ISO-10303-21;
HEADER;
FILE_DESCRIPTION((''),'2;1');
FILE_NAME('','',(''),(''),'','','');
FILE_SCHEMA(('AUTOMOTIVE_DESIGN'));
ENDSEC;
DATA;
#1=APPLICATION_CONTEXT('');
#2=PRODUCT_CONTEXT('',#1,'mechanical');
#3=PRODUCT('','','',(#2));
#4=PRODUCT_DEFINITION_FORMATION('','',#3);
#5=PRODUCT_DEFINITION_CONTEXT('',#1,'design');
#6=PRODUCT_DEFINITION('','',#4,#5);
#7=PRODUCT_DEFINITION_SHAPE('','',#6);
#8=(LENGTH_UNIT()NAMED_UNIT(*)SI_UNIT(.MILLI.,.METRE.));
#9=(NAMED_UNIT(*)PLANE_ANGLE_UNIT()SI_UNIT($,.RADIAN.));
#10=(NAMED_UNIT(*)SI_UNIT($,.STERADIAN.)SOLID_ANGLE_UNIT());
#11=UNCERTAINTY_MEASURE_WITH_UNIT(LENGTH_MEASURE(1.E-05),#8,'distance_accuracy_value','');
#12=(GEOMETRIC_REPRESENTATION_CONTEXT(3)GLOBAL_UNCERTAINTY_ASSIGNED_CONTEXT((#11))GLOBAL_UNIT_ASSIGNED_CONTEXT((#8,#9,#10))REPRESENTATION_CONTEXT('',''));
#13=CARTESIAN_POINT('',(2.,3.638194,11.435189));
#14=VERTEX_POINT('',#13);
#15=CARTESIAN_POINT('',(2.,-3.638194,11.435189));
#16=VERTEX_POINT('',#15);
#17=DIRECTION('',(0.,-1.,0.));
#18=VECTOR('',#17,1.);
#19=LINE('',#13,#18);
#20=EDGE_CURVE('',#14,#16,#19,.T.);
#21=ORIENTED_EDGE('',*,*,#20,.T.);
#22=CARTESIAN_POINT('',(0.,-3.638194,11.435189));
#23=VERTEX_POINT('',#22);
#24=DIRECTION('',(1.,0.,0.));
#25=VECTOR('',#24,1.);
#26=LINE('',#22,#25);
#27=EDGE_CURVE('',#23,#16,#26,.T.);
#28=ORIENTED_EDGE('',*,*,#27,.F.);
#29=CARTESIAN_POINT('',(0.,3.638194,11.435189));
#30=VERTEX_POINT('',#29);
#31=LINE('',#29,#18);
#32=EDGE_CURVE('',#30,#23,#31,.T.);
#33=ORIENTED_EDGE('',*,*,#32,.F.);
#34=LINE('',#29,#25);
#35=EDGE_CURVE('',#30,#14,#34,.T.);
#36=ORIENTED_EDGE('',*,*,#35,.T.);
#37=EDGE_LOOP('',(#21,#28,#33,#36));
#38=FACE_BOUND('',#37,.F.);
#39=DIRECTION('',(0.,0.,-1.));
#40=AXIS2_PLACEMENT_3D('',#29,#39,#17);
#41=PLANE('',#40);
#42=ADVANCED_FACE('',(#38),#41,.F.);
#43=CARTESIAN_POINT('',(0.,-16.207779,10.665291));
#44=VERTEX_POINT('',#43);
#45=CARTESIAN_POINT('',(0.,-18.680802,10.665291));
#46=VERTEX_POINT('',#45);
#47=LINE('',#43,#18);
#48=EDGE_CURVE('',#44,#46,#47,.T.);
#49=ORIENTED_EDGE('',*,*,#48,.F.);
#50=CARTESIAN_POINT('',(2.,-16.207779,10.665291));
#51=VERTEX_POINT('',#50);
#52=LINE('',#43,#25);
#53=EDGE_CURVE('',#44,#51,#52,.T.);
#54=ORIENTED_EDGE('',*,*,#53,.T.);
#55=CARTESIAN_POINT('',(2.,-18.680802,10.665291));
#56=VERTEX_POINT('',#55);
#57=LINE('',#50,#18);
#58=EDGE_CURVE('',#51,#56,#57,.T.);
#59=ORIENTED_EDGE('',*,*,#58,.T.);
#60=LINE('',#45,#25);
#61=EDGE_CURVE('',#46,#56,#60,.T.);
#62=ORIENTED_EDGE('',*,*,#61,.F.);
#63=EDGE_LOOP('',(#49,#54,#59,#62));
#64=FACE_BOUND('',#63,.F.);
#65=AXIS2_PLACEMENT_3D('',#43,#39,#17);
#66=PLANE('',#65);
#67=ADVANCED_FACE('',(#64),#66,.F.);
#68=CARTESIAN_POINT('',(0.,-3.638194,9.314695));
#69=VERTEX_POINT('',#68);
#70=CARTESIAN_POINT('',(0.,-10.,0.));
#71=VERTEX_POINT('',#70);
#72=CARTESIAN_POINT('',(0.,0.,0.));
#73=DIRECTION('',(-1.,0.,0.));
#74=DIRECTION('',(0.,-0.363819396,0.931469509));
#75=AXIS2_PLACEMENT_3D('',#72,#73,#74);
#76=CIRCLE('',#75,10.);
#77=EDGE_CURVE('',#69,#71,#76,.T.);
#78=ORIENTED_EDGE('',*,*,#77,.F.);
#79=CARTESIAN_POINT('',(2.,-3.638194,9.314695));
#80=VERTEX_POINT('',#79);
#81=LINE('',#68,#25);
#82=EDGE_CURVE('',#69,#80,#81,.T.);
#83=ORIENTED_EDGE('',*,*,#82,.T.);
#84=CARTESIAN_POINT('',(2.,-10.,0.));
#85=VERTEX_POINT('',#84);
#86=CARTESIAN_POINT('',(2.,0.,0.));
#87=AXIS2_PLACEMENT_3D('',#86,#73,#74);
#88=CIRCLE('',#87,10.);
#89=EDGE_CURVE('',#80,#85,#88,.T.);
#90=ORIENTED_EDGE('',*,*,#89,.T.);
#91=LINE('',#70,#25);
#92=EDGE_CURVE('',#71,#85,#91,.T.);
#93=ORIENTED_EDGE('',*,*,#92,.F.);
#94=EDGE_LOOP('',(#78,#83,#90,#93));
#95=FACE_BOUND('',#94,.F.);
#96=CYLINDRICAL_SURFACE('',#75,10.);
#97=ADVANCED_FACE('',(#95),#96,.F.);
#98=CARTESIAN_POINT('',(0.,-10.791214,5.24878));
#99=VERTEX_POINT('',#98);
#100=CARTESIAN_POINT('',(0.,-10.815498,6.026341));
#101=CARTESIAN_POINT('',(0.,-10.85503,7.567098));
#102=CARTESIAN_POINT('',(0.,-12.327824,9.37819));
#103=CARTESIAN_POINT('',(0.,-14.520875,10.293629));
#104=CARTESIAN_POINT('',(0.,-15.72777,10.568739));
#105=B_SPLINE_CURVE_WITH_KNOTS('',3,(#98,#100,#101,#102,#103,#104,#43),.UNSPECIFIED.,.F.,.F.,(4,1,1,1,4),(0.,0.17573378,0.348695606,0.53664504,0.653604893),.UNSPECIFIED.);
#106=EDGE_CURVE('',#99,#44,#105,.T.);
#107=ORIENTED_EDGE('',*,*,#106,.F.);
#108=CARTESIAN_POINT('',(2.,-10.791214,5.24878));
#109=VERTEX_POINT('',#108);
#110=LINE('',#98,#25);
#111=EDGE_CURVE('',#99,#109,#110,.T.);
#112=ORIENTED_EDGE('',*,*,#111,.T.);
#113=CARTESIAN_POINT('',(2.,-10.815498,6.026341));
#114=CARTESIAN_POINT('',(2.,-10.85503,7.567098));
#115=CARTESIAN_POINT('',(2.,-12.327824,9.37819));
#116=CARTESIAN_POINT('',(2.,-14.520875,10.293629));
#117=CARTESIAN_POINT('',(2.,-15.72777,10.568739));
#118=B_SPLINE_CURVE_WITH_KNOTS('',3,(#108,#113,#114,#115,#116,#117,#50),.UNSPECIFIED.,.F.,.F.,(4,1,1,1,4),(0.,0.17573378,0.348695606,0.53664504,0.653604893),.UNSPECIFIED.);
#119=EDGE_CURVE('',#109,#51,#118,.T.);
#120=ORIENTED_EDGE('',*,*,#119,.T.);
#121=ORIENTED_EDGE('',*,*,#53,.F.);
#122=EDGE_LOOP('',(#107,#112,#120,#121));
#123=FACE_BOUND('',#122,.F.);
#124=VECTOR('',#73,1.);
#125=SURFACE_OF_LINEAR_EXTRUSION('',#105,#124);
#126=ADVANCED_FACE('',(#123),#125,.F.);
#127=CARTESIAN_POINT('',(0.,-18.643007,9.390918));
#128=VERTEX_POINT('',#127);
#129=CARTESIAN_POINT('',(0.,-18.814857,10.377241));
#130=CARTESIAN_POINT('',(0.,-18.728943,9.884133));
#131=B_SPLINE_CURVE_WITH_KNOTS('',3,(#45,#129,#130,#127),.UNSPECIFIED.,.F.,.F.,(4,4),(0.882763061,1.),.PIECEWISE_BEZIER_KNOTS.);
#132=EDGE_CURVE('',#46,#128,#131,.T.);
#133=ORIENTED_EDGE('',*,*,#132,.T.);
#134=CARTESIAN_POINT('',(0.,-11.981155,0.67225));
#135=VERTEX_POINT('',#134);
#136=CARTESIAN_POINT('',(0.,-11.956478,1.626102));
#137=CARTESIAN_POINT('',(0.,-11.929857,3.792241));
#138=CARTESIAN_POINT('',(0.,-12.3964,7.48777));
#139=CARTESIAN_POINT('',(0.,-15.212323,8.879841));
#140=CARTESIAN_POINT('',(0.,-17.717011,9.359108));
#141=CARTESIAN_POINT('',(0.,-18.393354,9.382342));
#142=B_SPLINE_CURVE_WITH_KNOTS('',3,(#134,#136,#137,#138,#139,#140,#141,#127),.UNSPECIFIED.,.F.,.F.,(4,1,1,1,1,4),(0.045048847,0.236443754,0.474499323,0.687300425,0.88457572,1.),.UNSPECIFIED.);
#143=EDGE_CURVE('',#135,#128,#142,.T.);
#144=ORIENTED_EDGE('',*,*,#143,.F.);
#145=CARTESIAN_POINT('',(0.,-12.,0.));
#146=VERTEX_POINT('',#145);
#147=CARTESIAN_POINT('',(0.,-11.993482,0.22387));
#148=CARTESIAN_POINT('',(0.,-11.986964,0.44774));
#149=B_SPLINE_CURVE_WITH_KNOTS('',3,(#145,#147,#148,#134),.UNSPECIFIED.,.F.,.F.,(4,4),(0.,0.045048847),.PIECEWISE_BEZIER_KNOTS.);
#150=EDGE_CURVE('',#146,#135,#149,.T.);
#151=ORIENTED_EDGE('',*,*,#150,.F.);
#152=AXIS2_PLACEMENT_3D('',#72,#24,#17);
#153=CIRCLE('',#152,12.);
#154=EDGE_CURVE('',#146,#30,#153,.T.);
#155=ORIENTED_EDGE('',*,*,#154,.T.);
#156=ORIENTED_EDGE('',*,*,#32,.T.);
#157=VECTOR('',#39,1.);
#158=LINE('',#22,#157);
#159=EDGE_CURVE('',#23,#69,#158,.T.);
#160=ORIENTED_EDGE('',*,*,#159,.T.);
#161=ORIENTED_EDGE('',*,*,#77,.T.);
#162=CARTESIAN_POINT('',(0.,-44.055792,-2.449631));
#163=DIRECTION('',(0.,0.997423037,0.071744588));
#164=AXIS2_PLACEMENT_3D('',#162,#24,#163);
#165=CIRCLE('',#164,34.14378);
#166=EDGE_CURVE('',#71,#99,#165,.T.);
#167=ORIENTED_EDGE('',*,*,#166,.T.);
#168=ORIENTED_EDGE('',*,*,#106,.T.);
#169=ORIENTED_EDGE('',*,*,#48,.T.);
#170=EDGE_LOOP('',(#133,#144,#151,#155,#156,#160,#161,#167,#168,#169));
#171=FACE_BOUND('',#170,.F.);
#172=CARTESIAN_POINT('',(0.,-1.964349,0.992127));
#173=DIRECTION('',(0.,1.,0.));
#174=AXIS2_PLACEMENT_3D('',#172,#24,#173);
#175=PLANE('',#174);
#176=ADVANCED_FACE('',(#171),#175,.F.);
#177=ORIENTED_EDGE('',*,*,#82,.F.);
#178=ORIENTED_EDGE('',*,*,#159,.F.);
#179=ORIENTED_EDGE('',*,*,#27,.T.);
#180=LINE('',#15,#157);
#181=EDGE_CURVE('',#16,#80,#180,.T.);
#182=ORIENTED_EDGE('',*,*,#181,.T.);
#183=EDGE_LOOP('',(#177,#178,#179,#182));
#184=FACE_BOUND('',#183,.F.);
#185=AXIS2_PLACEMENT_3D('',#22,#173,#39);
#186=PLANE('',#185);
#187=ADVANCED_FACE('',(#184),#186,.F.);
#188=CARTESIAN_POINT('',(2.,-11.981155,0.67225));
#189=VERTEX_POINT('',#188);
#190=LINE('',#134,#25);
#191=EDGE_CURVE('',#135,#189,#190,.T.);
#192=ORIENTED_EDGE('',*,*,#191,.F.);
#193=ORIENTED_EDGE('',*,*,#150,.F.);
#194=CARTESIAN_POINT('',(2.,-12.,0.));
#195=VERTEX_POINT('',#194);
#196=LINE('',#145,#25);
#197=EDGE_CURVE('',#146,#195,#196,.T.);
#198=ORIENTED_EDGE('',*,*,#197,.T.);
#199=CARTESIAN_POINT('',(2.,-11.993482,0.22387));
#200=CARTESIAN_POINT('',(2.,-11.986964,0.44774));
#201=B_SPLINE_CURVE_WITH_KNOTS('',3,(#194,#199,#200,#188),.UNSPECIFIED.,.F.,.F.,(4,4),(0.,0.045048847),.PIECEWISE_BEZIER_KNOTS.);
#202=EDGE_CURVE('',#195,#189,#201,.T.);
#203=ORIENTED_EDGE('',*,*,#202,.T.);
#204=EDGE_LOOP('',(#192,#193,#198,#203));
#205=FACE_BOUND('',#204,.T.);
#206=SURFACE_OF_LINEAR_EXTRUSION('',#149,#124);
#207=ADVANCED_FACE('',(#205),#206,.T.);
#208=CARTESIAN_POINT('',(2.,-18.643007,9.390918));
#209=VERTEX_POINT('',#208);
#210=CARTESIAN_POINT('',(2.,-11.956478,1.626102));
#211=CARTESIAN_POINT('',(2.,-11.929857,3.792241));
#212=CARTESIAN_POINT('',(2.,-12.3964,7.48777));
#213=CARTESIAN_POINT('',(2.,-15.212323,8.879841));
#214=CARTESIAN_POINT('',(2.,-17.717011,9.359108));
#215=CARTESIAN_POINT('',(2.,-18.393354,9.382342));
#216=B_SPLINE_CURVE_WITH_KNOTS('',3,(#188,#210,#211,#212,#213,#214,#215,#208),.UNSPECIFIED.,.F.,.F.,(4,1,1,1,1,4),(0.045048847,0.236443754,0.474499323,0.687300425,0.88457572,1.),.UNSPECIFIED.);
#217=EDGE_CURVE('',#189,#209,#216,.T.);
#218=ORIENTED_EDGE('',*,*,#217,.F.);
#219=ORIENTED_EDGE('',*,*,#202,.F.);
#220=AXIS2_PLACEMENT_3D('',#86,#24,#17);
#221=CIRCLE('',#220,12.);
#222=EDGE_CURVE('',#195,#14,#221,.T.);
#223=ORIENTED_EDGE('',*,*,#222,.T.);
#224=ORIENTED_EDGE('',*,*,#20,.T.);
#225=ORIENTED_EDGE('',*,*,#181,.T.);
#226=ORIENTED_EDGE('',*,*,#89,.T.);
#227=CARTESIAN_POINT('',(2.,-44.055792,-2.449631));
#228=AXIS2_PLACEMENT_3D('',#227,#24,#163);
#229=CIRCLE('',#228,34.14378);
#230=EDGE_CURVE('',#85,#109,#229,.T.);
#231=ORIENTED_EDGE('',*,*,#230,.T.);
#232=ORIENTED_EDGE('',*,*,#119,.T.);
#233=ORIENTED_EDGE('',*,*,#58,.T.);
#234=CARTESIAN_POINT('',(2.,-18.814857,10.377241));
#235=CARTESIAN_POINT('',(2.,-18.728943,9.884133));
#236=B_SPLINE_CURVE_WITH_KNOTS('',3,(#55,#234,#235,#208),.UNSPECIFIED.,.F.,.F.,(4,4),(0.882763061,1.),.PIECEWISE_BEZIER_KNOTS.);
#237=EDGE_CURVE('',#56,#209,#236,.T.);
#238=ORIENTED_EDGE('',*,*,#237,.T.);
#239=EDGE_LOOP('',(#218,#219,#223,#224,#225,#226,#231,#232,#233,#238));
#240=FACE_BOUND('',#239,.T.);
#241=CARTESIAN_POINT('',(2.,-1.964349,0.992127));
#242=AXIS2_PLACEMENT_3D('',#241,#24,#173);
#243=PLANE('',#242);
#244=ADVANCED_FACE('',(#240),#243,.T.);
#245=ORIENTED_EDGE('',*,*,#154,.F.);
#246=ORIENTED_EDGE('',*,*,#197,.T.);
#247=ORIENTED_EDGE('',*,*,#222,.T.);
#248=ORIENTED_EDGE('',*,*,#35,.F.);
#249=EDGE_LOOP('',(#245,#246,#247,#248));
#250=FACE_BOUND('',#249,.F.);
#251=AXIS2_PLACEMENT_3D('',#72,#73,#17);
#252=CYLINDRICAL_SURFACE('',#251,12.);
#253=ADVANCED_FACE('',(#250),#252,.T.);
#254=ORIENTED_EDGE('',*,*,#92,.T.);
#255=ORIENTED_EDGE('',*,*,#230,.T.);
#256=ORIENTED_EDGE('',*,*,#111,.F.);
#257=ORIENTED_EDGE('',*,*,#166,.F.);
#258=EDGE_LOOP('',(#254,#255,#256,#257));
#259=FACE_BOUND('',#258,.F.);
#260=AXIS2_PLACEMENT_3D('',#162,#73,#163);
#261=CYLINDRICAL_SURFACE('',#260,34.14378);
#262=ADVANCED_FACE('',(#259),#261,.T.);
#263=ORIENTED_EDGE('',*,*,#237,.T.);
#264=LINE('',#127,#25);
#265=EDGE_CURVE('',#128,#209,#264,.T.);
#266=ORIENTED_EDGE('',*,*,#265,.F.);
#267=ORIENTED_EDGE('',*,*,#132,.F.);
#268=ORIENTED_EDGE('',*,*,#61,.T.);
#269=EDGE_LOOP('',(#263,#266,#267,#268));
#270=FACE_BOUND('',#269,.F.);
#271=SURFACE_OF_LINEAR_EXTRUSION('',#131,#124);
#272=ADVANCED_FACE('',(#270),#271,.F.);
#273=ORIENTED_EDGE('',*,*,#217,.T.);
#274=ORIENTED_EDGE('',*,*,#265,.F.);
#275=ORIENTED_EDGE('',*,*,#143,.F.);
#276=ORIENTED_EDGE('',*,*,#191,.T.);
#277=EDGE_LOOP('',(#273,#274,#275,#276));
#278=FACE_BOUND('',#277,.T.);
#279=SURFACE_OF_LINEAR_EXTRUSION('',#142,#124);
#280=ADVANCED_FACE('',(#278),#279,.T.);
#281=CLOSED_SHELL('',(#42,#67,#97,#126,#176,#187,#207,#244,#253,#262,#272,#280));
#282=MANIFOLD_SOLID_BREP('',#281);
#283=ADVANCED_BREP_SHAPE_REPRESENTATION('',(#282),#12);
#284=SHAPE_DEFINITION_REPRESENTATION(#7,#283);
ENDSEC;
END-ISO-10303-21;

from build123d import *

# Parameters (mm, degrees)
F1_DEPTH = 2


with BuildPart() as f1:
    # F0 (on Right) → F1 (new body)
    with BuildSketch(Plane.YZ):
        with BuildLine():
            ThreePointArc((-3.6381939636, 9.3146950934), (8.257782379, -5.639949484), (-10, 0))
            ThreePointArc((-10, 0), (-10.2934540428, 2.639788856), (-10.791214382, 5.2487800641))
            add(Edge.make_bspline(
                [(-10.791214382, 5.2487800641), (-10.8154983711, 6.0263408015), (-10.8550299677, 7.5670980598), (-12.3278240582, 9.3781898524), (-14.520874836, 10.293629199), (-15.7277697161, 10.5687391244), (-16.2077791764, 10.6652913886)],
                knots=[0, 0, 0, 0, 0.1757337799, 0.3486956058, 0.5366450397, 0.6536048932, 0.6536048932, 0.6536048932, 0.6536048932], degree=3))
            Line((-16.2077791764, 10.6652913886), (-18.6808016236, 10.6652913886))
            add(Edge.make_bspline(
                [(-18.6808016236, 10.6652913886), (-18.8148572024, 10.3772405868), (-18.7289432635, 9.8841331089), (-18.6430066824, 9.3909176067)],
                knots=[0.8827630608, 0.8827630608, 0.8827630608, 0.8827630608, 1, 1, 1, 1], degree=3))
            add(Edge.make_bspline(
                [(-11.9811552234, 0.6722495916), (-11.9564777557, 1.6261020361), (-11.9298565867, 3.7922413277), (-12.3964002274, 7.4877698942), (-15.2123230374, 8.8798414319), (-17.7170112276, 9.3591077307), (-18.3933537904, 9.3823415089), (-18.6430066824, 9.3909176067)],
                knots=[0.0450488473, 0.0450488473, 0.0450488473, 0.0450488473, 0.2364437545, 0.4744993228, 0.6873004248, 0.8845757201, 1, 1, 1, 1], degree=3))
            add(Edge.make_bspline(
                [(-12, 0), (-11.9934817942, 0.2238701027), (-11.9869635883, 0.4477402053), (-11.9811552234, 0.6722495916)],
                knots=[0, 0, 0, 0, 0.0450488473, 0.0450488473, 0.0450488473, 0.0450488473], degree=3))
            ThreePointArc((-12, 0), (7.0831374558, -9.686545503), (3.6381939636, 11.4351888783))
            Line((3.6381939636, 11.4351888783), (-3.6381939636, 11.4351888783))
            Line((-3.6381939636, 11.4351888783), (-3.6381939636, 9.3146950934))
        make_face()
    extrude(amount=F1_DEPTH)


solid = f1.part
